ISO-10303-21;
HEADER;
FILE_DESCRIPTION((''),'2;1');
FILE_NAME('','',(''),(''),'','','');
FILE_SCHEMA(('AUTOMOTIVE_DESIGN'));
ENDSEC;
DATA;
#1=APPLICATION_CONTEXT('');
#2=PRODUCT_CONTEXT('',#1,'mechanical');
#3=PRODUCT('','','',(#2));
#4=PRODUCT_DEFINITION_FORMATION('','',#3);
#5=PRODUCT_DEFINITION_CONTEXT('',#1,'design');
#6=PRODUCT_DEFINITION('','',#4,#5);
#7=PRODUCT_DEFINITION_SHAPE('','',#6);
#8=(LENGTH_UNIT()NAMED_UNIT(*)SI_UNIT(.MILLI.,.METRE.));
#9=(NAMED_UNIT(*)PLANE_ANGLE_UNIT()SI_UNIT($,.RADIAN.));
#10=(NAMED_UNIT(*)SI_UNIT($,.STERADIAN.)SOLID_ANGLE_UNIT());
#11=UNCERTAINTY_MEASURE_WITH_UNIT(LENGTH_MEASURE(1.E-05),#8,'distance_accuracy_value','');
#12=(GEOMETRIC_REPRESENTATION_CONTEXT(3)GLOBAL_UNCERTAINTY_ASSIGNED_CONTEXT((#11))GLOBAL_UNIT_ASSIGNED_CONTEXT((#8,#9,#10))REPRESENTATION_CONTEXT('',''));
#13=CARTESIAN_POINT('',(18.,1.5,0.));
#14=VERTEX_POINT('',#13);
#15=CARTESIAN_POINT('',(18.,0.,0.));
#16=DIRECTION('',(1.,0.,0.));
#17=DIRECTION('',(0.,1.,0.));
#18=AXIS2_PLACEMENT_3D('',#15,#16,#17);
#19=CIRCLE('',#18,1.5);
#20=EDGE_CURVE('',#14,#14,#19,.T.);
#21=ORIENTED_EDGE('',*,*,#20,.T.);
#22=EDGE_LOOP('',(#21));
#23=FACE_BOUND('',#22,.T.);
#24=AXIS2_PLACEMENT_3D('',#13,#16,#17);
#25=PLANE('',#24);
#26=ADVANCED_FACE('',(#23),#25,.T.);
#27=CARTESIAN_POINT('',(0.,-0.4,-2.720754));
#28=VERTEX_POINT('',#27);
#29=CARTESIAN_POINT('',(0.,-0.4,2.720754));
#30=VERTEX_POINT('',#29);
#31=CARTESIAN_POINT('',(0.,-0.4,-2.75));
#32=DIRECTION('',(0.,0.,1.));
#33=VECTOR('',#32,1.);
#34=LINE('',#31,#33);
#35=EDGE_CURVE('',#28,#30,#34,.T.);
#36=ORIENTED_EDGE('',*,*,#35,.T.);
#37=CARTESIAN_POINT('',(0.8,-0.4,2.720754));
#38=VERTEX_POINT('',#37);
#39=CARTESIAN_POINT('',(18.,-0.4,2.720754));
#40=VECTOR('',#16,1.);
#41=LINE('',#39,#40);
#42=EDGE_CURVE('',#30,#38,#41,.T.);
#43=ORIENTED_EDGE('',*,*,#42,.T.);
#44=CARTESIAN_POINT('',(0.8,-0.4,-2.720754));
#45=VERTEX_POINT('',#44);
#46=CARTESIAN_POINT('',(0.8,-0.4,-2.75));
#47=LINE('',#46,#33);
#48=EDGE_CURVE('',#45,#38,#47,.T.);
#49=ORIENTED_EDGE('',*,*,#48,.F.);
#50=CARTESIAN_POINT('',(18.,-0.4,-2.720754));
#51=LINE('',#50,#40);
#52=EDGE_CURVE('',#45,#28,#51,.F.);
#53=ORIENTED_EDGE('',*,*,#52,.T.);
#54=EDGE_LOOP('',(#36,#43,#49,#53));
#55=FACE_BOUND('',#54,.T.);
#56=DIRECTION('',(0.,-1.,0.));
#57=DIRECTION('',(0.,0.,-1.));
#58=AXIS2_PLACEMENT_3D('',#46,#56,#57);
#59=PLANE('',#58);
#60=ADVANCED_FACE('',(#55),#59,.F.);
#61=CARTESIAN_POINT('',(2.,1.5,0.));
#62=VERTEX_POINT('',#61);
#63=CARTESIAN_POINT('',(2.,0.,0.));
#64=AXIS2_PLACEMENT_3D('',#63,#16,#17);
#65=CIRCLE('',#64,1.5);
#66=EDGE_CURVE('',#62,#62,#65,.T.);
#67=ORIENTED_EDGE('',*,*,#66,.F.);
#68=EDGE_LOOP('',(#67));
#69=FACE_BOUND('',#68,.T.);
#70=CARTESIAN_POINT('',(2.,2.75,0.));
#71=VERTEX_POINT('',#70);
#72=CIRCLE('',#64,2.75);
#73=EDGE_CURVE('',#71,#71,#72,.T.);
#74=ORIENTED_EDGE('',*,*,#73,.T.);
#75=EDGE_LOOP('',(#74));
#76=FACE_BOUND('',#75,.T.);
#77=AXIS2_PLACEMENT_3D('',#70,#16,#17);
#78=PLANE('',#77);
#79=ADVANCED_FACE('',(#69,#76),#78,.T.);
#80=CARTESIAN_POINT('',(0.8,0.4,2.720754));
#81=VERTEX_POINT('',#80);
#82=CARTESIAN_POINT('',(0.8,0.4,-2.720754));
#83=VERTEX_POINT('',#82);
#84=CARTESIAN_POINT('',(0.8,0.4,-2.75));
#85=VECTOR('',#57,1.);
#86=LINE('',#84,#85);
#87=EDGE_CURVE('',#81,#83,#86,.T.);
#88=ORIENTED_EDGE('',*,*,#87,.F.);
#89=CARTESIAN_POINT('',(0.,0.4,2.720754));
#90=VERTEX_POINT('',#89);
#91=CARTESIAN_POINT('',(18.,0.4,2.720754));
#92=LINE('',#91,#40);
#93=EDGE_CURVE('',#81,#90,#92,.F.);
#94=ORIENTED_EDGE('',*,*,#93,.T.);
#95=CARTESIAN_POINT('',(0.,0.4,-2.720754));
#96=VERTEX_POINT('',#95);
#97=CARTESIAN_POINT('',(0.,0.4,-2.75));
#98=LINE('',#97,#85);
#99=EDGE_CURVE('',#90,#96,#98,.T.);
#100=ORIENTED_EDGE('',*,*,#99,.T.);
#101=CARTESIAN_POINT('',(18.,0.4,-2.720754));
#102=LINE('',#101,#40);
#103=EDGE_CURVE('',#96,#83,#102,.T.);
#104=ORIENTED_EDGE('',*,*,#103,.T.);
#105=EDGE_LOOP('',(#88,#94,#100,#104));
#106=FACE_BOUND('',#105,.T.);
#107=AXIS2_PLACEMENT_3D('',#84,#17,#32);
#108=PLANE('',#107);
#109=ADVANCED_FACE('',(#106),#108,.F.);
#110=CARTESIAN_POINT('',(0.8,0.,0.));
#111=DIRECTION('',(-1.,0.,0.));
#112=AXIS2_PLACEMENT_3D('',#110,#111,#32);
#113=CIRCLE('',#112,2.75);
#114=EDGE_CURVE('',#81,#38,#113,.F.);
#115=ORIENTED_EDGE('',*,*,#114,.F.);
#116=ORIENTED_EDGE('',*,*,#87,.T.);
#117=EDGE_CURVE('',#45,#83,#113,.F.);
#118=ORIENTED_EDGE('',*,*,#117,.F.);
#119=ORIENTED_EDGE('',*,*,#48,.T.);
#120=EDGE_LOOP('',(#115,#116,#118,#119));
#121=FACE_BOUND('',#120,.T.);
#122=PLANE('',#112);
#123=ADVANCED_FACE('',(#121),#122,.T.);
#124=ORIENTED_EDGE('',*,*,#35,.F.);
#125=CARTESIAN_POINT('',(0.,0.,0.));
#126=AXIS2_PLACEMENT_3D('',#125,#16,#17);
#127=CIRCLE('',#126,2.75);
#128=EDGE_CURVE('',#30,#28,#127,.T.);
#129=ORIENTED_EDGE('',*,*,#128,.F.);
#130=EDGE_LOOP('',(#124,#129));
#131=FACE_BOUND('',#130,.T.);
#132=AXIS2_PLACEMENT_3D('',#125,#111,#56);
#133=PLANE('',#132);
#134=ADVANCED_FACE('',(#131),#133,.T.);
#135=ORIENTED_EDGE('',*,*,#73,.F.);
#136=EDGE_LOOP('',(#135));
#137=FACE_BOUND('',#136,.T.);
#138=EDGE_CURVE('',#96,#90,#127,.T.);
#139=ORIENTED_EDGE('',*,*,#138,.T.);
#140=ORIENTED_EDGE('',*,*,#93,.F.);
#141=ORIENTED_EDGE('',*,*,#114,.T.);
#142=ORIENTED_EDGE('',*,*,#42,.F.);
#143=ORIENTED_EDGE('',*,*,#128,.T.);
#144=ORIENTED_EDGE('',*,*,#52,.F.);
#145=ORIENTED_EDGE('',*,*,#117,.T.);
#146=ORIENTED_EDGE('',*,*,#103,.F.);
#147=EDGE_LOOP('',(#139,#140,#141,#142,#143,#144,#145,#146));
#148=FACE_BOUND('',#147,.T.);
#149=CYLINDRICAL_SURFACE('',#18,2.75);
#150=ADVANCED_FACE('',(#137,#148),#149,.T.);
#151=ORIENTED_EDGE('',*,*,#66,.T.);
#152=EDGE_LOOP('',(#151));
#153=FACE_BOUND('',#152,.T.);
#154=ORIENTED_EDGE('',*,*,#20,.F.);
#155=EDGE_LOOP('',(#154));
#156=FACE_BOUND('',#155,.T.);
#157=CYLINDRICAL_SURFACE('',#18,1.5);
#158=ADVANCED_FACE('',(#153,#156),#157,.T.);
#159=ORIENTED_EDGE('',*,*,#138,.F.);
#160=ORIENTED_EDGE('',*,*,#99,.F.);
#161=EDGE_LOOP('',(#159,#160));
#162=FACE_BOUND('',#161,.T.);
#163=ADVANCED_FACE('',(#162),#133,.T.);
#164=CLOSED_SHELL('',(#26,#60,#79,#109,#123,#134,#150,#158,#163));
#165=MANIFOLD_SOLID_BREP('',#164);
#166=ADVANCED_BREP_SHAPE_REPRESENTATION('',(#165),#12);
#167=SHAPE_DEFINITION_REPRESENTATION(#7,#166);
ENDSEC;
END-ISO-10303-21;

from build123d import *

# Parameters (mm, degrees)
SKETCH2_W          = 5.5
SKETCH2_H          = 0.8
CUT_EXTRUDE1_DEPTH = 0.8


with BuildPart() as part:
    # Sketch1 → Revolve1 (revolve)
    with BuildSketch(Plane.XY):
        Polygon((0, 0), (0, 2.75), (2, 2.75), (2, 1.5), (18, 1.5), (18, 0), align=None)
    revolve(axis=Axis((18, 0, 0), (-1, 0, 0)))

    # Sketch2 → Cut-Extrude1 (cut)
    with BuildSketch(Plane.ZY):
        Rectangle(SKETCH2_W, SKETCH2_H)
    extrude(amount=-CUT_EXTRUDE1_DEPTH, mode=Mode.SUBTRACT)


solid = part.part
